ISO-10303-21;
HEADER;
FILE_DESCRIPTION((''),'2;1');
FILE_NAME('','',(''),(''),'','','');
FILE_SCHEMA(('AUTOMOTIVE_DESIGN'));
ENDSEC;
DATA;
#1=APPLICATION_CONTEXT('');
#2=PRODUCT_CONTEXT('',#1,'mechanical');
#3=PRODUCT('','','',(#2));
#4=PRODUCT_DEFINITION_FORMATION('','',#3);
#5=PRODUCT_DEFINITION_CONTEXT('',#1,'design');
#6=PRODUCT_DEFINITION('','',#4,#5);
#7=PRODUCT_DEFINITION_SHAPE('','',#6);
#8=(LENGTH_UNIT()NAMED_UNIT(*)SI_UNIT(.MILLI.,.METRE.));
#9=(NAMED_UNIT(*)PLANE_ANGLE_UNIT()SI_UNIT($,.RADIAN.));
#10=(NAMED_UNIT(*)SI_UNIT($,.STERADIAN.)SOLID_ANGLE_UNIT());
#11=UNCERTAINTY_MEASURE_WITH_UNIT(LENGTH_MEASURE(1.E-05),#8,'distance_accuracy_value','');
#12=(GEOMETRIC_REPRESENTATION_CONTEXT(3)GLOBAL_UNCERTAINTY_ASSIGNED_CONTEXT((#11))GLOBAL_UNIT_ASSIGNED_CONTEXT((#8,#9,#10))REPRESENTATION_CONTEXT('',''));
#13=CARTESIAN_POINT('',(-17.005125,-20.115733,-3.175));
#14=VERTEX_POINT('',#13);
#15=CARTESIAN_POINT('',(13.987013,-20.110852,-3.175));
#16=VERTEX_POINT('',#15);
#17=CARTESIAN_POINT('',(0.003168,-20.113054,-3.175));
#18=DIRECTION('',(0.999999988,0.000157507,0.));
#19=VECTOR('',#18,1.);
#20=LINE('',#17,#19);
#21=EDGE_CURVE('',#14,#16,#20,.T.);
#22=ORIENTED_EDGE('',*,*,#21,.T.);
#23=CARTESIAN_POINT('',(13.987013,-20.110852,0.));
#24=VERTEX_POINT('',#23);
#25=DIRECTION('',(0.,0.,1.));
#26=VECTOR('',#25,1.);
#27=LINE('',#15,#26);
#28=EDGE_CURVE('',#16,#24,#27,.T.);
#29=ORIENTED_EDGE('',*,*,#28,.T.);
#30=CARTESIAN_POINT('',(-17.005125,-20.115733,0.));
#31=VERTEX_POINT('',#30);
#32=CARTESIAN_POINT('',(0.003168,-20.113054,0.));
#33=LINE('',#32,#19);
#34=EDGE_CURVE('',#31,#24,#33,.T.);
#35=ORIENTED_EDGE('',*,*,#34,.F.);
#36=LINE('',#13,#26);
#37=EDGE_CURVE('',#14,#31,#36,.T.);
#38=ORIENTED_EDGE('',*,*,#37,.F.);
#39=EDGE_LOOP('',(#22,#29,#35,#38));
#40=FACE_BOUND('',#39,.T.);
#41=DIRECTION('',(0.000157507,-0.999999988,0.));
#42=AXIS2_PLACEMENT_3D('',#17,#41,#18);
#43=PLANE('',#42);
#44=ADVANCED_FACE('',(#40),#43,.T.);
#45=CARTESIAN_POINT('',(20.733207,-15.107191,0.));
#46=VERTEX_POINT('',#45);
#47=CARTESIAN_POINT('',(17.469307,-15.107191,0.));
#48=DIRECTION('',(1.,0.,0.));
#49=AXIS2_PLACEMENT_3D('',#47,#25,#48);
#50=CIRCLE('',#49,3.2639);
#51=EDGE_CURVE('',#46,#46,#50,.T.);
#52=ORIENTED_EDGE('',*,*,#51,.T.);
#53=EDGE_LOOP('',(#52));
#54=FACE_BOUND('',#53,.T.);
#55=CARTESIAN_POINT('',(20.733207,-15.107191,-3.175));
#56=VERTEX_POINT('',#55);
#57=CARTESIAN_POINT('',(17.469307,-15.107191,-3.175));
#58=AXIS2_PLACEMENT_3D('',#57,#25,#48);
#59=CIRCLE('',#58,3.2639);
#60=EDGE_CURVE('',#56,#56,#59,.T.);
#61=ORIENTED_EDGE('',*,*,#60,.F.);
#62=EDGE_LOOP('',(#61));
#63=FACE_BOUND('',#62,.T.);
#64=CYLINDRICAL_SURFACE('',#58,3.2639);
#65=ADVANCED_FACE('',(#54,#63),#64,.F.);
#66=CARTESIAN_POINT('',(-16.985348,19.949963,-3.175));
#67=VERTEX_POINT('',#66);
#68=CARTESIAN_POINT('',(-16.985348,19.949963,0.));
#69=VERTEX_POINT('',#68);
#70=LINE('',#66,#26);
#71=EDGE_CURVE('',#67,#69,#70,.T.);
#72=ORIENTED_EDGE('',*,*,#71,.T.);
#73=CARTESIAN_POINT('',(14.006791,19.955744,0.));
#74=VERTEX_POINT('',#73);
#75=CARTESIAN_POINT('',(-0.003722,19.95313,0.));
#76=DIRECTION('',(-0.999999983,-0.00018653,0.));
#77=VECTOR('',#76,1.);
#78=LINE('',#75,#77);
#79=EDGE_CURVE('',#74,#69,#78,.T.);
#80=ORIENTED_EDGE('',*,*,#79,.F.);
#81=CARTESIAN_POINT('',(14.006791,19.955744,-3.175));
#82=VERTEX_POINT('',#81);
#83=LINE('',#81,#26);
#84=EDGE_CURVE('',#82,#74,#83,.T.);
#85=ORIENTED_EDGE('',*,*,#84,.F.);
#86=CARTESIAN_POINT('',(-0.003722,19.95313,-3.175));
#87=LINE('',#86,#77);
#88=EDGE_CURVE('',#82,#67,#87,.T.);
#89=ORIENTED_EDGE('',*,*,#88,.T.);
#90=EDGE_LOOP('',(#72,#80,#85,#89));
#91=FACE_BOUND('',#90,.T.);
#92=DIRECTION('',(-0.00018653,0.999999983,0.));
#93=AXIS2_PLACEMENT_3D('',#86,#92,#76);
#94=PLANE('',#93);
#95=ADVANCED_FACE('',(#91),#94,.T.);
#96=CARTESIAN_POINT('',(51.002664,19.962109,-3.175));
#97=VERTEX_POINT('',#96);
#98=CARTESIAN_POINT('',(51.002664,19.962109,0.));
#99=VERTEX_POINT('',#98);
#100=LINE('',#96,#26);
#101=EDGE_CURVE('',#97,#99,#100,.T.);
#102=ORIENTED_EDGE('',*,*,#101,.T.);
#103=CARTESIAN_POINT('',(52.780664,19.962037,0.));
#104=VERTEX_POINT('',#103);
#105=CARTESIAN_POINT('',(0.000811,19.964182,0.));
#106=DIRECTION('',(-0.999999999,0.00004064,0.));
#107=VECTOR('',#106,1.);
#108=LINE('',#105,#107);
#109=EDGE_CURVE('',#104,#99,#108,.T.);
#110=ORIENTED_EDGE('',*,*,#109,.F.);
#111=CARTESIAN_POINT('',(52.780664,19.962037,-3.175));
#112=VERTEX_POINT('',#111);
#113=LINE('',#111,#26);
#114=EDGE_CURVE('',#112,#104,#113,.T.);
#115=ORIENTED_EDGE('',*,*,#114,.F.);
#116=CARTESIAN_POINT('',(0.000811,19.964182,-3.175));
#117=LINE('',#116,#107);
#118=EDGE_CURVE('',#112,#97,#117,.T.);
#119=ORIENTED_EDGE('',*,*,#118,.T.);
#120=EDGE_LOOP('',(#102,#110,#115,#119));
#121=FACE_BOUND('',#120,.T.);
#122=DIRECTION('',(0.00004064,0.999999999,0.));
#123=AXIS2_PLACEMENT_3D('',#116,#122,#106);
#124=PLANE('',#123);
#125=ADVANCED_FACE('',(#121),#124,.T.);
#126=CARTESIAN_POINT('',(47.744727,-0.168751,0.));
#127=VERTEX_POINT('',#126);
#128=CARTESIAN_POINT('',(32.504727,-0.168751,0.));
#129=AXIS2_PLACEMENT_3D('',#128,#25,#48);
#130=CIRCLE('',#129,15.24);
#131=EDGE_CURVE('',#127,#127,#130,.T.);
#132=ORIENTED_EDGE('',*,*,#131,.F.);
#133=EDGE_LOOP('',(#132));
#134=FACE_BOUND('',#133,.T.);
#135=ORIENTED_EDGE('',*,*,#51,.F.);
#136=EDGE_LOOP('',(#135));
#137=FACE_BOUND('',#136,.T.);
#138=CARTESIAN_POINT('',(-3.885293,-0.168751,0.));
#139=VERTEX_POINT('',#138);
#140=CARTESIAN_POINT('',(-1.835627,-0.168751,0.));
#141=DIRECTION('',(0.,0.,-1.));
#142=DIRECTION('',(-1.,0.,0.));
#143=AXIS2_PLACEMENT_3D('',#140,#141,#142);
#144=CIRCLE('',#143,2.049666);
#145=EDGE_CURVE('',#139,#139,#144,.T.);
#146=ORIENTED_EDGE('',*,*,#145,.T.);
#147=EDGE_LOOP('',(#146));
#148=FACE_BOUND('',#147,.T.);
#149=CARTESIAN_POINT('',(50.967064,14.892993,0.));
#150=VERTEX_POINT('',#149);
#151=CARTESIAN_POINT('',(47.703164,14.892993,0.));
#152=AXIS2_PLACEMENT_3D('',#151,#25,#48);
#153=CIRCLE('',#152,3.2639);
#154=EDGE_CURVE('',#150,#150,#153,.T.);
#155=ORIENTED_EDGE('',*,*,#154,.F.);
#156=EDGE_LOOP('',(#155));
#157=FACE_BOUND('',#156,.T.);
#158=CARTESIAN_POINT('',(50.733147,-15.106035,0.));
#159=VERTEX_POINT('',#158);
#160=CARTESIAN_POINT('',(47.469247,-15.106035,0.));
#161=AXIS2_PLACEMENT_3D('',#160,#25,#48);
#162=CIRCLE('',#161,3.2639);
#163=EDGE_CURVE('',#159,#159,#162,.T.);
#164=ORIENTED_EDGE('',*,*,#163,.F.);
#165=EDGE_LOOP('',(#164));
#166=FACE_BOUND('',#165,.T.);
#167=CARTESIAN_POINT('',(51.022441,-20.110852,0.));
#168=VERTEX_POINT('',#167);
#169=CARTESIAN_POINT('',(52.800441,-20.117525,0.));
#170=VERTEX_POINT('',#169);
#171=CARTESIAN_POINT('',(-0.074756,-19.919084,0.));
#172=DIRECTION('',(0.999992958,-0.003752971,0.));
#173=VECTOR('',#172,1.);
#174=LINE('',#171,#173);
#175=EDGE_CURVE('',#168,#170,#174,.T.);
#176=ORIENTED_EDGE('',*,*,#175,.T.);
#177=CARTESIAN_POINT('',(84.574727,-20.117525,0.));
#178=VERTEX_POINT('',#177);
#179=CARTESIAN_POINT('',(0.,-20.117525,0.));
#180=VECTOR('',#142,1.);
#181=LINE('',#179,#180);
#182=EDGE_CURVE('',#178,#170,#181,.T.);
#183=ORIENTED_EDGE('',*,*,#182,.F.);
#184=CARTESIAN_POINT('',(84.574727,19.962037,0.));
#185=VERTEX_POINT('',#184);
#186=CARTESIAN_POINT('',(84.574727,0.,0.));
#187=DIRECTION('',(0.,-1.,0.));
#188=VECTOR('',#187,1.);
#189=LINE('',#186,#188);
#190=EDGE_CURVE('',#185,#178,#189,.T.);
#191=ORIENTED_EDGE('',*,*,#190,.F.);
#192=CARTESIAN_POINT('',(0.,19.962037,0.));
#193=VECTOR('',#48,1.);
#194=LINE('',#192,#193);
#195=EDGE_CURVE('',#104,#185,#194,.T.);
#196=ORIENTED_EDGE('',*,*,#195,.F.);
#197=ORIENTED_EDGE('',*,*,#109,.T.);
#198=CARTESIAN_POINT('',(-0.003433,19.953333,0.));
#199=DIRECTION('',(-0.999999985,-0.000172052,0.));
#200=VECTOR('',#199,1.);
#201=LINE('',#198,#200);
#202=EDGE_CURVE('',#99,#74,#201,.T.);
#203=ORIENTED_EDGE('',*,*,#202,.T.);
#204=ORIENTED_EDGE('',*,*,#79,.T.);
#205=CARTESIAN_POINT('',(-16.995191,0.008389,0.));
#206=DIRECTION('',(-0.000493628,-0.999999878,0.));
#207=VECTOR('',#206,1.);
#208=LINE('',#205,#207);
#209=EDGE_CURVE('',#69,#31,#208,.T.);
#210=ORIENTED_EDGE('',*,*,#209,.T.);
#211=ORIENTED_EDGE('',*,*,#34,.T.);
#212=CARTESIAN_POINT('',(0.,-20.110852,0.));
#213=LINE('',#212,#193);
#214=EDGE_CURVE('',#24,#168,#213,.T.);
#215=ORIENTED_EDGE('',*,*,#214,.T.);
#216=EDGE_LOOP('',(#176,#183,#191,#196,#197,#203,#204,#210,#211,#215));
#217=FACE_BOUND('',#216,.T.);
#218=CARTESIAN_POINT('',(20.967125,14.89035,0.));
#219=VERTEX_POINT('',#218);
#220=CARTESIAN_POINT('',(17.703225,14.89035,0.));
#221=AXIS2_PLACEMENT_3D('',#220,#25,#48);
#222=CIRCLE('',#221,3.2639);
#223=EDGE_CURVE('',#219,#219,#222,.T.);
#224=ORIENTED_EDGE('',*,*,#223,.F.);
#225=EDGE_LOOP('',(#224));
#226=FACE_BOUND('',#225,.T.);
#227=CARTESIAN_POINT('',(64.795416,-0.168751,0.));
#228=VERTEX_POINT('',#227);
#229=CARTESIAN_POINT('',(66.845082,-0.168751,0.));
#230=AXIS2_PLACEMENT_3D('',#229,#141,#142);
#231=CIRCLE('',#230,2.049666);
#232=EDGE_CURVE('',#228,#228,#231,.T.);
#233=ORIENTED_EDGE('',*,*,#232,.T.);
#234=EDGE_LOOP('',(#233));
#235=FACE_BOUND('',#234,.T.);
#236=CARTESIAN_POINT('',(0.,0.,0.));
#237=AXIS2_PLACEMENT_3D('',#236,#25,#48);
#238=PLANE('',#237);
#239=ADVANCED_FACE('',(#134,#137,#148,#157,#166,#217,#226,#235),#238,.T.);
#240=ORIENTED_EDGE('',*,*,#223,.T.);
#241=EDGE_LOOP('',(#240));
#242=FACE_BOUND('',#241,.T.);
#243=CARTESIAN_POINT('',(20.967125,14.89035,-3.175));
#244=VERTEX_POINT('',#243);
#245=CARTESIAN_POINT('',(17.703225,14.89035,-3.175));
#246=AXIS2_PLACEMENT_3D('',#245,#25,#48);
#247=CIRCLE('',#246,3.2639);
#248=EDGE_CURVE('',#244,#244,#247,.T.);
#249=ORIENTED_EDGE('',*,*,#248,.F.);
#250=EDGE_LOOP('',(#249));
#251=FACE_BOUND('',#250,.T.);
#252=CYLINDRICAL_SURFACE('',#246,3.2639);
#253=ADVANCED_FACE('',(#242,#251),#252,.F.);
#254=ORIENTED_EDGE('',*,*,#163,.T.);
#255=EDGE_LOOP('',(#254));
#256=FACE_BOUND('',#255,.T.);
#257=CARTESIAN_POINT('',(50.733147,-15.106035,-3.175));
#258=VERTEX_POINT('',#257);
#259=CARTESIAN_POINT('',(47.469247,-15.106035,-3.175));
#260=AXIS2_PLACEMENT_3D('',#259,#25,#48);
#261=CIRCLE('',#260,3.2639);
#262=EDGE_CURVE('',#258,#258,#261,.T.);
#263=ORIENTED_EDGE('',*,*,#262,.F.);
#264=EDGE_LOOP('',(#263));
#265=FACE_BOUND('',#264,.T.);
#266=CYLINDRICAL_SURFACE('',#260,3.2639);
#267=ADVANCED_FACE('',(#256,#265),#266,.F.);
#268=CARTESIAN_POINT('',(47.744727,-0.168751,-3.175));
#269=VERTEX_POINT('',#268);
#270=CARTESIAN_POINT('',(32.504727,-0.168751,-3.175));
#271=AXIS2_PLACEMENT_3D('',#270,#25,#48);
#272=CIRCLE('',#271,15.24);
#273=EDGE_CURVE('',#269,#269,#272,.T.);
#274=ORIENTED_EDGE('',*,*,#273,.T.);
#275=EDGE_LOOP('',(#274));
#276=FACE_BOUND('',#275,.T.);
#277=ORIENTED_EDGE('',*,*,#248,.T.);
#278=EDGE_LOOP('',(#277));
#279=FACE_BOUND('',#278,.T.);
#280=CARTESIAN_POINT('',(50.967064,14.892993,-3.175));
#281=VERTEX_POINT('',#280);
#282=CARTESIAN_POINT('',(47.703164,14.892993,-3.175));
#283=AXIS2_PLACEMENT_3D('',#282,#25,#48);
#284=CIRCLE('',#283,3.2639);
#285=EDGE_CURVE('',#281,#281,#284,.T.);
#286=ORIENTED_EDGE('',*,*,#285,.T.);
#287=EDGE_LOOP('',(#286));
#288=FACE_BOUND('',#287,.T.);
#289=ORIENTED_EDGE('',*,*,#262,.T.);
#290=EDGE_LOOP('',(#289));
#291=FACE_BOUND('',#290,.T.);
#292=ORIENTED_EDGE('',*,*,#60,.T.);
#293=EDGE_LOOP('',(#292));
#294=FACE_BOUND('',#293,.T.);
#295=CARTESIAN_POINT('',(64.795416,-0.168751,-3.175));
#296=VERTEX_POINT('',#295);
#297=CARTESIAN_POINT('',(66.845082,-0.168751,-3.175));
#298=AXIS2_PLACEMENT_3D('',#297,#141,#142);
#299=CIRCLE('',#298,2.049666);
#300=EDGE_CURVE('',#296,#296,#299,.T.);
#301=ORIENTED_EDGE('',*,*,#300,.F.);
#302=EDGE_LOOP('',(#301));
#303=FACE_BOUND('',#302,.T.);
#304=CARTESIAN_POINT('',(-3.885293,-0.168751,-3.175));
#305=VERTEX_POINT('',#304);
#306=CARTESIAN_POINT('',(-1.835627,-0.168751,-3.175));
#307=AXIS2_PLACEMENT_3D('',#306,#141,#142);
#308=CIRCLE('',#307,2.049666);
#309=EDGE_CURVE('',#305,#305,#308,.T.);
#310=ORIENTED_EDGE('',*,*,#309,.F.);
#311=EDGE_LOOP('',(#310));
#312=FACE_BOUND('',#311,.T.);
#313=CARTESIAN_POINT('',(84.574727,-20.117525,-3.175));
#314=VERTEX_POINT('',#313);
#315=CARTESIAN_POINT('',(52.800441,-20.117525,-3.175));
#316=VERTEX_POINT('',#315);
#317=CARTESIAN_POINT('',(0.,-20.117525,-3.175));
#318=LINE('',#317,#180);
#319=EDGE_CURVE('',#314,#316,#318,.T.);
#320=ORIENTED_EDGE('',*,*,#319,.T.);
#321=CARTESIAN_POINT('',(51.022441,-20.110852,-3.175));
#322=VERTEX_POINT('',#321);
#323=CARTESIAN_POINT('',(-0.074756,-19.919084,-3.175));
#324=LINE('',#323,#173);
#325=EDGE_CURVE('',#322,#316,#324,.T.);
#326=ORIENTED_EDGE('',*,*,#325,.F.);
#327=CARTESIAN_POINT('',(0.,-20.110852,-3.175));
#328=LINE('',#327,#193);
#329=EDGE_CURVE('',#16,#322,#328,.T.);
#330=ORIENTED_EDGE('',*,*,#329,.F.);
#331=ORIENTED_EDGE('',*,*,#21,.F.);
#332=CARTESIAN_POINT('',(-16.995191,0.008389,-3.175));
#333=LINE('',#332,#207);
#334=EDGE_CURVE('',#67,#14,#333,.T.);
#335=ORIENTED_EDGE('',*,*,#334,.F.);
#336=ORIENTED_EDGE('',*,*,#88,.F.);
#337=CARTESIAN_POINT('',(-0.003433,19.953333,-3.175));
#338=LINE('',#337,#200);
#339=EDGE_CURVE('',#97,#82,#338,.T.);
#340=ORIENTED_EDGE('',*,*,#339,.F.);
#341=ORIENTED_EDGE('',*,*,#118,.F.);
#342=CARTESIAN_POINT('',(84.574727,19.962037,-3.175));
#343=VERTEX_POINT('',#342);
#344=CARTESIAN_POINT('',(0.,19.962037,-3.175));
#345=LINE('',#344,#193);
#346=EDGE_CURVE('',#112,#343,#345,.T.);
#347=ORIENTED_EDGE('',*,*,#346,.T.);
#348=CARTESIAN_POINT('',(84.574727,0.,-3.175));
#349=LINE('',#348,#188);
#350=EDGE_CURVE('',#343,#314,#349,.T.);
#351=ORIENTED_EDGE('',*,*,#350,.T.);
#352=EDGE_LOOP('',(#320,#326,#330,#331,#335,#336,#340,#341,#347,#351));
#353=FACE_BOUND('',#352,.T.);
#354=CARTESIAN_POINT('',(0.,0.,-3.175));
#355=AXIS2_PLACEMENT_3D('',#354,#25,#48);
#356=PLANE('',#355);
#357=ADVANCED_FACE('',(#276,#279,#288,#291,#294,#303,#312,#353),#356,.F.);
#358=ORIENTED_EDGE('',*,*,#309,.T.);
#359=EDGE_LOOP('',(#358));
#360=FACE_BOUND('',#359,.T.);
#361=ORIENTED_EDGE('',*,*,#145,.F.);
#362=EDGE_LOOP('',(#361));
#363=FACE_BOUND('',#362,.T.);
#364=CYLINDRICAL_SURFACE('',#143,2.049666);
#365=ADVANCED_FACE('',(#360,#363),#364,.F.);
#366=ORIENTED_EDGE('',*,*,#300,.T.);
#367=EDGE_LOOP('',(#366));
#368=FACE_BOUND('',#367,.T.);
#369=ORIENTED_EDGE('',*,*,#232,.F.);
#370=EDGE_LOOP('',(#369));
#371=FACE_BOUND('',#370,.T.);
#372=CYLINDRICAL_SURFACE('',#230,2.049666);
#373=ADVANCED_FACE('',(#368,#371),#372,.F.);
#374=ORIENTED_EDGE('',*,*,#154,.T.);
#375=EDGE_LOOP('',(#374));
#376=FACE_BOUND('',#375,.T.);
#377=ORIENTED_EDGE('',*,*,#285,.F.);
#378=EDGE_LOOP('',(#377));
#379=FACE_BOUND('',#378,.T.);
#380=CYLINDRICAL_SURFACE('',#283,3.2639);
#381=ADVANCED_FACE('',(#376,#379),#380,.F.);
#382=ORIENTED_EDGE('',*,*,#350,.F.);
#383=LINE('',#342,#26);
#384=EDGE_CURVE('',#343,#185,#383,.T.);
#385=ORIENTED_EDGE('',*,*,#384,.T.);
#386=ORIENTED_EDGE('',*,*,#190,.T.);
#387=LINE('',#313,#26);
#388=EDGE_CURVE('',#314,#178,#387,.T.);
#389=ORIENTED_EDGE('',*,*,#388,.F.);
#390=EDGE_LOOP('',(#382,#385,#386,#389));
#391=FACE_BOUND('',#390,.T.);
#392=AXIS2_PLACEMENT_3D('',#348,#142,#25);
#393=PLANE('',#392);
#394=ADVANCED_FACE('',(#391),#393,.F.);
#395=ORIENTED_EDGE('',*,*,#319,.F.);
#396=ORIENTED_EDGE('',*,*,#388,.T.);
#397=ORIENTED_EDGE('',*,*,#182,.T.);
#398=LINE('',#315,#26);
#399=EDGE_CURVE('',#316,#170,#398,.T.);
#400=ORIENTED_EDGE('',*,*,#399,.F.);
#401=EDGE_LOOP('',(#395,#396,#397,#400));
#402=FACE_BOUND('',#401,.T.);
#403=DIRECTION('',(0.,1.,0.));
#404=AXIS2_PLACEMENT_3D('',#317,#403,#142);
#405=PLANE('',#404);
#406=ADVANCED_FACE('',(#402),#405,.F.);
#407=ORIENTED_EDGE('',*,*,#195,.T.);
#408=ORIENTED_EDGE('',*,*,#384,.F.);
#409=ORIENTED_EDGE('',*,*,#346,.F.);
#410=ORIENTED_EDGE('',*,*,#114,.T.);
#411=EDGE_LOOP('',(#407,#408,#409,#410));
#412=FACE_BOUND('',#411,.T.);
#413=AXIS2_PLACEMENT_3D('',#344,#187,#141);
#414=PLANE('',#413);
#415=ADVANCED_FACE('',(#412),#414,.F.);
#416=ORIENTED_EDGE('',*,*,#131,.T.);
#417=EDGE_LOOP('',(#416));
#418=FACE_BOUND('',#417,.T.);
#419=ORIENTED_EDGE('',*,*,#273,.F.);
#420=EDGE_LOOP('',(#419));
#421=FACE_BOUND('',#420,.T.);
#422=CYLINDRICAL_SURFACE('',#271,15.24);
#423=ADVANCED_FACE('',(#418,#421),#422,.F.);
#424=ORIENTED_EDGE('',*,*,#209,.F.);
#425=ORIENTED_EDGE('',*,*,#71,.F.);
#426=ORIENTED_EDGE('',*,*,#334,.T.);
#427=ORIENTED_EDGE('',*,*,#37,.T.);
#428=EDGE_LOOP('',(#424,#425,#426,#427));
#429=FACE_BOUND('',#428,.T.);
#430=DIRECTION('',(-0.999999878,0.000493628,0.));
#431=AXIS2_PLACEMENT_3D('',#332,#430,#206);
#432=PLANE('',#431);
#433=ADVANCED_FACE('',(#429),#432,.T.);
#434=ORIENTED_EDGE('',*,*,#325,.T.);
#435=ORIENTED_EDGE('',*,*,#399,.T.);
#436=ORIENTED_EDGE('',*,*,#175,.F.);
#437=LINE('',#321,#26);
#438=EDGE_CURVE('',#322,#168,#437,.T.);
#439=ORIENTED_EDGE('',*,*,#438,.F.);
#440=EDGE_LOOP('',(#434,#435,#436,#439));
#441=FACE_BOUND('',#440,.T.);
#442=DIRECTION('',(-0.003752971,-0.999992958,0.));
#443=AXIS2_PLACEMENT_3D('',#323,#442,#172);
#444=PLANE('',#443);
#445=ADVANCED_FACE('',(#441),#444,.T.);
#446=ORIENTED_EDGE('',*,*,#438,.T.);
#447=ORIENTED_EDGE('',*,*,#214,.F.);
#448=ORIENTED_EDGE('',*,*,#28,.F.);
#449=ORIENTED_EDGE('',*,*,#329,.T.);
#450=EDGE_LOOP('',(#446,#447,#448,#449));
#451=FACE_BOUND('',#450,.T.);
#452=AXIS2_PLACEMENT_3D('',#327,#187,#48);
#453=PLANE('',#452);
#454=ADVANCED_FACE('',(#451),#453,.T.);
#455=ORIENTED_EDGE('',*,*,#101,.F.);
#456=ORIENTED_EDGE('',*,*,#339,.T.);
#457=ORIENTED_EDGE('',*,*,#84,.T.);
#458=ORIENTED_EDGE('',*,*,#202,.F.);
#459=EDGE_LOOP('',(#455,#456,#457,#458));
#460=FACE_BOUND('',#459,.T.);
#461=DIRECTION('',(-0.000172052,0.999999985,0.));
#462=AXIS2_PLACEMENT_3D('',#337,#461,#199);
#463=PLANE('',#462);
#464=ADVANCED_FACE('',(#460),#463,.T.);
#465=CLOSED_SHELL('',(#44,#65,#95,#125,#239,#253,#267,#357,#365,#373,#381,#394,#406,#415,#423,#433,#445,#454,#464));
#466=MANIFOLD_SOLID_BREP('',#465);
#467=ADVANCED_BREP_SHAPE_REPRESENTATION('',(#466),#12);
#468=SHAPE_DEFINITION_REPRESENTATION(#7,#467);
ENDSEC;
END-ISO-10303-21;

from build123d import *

# Parameters (mm, degrees)
MODEL_R             = 3.2639
MODEL_R_2           = 15.24
BOSS_EXTRUDE1_DEPTH = 3.175
SKETCH1_R           = 2.049665702
CUT_EXTRUDE1_DEPTH  = 4.175


with BuildPart() as part:
    # Model → Boss-Extrude1 (new body)
    with BuildSketch(Plane.XY):
        Polygon((52.780663663, 19.962036807), (84.57472724, 19.962036807), (84.57472724, -20.117524571), (52.800441441, -20.117524571), (51.022441441, -20.110851742), (13.987013039, -20.110851742), (-17.005125185, -20.115733226), (-16.985347623, 19.94996289), (14.006790818, 19.955743846), (51.002663663, 19.962109065), align=None)
        with Locations((17.703224546, 14.890349751)):
            Circle(MODEL_R, mode=Mode.SUBTRACT)
        with Locations((47.70316443, 14.892992778)):
            Circle(MODEL_R, mode=Mode.SUBTRACT)
        with Locations((17.469307033, -15.107191493)):
            Circle(MODEL_R, mode=Mode.SUBTRACT)
        with Locations((47.46924701, -15.106035251)):
            Circle(MODEL_R, mode=Mode.SUBTRACT)
        with Locations((32.50472724, -0.168751446)):
            Circle(MODEL_R_2, mode=Mode.SUBTRACT)
    extrude(amount=-BOSS_EXTRUDE1_DEPTH)

    # Sketch1 → Cut-Extrude1 (cut, through all)
    with BuildSketch(Plane(origin=(0, 0, -3.175), x_dir=(-1, 0, 0), z_dir=(0, 0, -1))):
        with Locations((1.835627279, -0.168751446)):
            Circle(SKETCH1_R)
        with Locations((-66.84508176, -0.168751446)):
            Circle(SKETCH1_R)
    extrude(amount=-CUT_EXTRUDE1_DEPTH, mode=Mode.SUBTRACT)


solid = part.part
